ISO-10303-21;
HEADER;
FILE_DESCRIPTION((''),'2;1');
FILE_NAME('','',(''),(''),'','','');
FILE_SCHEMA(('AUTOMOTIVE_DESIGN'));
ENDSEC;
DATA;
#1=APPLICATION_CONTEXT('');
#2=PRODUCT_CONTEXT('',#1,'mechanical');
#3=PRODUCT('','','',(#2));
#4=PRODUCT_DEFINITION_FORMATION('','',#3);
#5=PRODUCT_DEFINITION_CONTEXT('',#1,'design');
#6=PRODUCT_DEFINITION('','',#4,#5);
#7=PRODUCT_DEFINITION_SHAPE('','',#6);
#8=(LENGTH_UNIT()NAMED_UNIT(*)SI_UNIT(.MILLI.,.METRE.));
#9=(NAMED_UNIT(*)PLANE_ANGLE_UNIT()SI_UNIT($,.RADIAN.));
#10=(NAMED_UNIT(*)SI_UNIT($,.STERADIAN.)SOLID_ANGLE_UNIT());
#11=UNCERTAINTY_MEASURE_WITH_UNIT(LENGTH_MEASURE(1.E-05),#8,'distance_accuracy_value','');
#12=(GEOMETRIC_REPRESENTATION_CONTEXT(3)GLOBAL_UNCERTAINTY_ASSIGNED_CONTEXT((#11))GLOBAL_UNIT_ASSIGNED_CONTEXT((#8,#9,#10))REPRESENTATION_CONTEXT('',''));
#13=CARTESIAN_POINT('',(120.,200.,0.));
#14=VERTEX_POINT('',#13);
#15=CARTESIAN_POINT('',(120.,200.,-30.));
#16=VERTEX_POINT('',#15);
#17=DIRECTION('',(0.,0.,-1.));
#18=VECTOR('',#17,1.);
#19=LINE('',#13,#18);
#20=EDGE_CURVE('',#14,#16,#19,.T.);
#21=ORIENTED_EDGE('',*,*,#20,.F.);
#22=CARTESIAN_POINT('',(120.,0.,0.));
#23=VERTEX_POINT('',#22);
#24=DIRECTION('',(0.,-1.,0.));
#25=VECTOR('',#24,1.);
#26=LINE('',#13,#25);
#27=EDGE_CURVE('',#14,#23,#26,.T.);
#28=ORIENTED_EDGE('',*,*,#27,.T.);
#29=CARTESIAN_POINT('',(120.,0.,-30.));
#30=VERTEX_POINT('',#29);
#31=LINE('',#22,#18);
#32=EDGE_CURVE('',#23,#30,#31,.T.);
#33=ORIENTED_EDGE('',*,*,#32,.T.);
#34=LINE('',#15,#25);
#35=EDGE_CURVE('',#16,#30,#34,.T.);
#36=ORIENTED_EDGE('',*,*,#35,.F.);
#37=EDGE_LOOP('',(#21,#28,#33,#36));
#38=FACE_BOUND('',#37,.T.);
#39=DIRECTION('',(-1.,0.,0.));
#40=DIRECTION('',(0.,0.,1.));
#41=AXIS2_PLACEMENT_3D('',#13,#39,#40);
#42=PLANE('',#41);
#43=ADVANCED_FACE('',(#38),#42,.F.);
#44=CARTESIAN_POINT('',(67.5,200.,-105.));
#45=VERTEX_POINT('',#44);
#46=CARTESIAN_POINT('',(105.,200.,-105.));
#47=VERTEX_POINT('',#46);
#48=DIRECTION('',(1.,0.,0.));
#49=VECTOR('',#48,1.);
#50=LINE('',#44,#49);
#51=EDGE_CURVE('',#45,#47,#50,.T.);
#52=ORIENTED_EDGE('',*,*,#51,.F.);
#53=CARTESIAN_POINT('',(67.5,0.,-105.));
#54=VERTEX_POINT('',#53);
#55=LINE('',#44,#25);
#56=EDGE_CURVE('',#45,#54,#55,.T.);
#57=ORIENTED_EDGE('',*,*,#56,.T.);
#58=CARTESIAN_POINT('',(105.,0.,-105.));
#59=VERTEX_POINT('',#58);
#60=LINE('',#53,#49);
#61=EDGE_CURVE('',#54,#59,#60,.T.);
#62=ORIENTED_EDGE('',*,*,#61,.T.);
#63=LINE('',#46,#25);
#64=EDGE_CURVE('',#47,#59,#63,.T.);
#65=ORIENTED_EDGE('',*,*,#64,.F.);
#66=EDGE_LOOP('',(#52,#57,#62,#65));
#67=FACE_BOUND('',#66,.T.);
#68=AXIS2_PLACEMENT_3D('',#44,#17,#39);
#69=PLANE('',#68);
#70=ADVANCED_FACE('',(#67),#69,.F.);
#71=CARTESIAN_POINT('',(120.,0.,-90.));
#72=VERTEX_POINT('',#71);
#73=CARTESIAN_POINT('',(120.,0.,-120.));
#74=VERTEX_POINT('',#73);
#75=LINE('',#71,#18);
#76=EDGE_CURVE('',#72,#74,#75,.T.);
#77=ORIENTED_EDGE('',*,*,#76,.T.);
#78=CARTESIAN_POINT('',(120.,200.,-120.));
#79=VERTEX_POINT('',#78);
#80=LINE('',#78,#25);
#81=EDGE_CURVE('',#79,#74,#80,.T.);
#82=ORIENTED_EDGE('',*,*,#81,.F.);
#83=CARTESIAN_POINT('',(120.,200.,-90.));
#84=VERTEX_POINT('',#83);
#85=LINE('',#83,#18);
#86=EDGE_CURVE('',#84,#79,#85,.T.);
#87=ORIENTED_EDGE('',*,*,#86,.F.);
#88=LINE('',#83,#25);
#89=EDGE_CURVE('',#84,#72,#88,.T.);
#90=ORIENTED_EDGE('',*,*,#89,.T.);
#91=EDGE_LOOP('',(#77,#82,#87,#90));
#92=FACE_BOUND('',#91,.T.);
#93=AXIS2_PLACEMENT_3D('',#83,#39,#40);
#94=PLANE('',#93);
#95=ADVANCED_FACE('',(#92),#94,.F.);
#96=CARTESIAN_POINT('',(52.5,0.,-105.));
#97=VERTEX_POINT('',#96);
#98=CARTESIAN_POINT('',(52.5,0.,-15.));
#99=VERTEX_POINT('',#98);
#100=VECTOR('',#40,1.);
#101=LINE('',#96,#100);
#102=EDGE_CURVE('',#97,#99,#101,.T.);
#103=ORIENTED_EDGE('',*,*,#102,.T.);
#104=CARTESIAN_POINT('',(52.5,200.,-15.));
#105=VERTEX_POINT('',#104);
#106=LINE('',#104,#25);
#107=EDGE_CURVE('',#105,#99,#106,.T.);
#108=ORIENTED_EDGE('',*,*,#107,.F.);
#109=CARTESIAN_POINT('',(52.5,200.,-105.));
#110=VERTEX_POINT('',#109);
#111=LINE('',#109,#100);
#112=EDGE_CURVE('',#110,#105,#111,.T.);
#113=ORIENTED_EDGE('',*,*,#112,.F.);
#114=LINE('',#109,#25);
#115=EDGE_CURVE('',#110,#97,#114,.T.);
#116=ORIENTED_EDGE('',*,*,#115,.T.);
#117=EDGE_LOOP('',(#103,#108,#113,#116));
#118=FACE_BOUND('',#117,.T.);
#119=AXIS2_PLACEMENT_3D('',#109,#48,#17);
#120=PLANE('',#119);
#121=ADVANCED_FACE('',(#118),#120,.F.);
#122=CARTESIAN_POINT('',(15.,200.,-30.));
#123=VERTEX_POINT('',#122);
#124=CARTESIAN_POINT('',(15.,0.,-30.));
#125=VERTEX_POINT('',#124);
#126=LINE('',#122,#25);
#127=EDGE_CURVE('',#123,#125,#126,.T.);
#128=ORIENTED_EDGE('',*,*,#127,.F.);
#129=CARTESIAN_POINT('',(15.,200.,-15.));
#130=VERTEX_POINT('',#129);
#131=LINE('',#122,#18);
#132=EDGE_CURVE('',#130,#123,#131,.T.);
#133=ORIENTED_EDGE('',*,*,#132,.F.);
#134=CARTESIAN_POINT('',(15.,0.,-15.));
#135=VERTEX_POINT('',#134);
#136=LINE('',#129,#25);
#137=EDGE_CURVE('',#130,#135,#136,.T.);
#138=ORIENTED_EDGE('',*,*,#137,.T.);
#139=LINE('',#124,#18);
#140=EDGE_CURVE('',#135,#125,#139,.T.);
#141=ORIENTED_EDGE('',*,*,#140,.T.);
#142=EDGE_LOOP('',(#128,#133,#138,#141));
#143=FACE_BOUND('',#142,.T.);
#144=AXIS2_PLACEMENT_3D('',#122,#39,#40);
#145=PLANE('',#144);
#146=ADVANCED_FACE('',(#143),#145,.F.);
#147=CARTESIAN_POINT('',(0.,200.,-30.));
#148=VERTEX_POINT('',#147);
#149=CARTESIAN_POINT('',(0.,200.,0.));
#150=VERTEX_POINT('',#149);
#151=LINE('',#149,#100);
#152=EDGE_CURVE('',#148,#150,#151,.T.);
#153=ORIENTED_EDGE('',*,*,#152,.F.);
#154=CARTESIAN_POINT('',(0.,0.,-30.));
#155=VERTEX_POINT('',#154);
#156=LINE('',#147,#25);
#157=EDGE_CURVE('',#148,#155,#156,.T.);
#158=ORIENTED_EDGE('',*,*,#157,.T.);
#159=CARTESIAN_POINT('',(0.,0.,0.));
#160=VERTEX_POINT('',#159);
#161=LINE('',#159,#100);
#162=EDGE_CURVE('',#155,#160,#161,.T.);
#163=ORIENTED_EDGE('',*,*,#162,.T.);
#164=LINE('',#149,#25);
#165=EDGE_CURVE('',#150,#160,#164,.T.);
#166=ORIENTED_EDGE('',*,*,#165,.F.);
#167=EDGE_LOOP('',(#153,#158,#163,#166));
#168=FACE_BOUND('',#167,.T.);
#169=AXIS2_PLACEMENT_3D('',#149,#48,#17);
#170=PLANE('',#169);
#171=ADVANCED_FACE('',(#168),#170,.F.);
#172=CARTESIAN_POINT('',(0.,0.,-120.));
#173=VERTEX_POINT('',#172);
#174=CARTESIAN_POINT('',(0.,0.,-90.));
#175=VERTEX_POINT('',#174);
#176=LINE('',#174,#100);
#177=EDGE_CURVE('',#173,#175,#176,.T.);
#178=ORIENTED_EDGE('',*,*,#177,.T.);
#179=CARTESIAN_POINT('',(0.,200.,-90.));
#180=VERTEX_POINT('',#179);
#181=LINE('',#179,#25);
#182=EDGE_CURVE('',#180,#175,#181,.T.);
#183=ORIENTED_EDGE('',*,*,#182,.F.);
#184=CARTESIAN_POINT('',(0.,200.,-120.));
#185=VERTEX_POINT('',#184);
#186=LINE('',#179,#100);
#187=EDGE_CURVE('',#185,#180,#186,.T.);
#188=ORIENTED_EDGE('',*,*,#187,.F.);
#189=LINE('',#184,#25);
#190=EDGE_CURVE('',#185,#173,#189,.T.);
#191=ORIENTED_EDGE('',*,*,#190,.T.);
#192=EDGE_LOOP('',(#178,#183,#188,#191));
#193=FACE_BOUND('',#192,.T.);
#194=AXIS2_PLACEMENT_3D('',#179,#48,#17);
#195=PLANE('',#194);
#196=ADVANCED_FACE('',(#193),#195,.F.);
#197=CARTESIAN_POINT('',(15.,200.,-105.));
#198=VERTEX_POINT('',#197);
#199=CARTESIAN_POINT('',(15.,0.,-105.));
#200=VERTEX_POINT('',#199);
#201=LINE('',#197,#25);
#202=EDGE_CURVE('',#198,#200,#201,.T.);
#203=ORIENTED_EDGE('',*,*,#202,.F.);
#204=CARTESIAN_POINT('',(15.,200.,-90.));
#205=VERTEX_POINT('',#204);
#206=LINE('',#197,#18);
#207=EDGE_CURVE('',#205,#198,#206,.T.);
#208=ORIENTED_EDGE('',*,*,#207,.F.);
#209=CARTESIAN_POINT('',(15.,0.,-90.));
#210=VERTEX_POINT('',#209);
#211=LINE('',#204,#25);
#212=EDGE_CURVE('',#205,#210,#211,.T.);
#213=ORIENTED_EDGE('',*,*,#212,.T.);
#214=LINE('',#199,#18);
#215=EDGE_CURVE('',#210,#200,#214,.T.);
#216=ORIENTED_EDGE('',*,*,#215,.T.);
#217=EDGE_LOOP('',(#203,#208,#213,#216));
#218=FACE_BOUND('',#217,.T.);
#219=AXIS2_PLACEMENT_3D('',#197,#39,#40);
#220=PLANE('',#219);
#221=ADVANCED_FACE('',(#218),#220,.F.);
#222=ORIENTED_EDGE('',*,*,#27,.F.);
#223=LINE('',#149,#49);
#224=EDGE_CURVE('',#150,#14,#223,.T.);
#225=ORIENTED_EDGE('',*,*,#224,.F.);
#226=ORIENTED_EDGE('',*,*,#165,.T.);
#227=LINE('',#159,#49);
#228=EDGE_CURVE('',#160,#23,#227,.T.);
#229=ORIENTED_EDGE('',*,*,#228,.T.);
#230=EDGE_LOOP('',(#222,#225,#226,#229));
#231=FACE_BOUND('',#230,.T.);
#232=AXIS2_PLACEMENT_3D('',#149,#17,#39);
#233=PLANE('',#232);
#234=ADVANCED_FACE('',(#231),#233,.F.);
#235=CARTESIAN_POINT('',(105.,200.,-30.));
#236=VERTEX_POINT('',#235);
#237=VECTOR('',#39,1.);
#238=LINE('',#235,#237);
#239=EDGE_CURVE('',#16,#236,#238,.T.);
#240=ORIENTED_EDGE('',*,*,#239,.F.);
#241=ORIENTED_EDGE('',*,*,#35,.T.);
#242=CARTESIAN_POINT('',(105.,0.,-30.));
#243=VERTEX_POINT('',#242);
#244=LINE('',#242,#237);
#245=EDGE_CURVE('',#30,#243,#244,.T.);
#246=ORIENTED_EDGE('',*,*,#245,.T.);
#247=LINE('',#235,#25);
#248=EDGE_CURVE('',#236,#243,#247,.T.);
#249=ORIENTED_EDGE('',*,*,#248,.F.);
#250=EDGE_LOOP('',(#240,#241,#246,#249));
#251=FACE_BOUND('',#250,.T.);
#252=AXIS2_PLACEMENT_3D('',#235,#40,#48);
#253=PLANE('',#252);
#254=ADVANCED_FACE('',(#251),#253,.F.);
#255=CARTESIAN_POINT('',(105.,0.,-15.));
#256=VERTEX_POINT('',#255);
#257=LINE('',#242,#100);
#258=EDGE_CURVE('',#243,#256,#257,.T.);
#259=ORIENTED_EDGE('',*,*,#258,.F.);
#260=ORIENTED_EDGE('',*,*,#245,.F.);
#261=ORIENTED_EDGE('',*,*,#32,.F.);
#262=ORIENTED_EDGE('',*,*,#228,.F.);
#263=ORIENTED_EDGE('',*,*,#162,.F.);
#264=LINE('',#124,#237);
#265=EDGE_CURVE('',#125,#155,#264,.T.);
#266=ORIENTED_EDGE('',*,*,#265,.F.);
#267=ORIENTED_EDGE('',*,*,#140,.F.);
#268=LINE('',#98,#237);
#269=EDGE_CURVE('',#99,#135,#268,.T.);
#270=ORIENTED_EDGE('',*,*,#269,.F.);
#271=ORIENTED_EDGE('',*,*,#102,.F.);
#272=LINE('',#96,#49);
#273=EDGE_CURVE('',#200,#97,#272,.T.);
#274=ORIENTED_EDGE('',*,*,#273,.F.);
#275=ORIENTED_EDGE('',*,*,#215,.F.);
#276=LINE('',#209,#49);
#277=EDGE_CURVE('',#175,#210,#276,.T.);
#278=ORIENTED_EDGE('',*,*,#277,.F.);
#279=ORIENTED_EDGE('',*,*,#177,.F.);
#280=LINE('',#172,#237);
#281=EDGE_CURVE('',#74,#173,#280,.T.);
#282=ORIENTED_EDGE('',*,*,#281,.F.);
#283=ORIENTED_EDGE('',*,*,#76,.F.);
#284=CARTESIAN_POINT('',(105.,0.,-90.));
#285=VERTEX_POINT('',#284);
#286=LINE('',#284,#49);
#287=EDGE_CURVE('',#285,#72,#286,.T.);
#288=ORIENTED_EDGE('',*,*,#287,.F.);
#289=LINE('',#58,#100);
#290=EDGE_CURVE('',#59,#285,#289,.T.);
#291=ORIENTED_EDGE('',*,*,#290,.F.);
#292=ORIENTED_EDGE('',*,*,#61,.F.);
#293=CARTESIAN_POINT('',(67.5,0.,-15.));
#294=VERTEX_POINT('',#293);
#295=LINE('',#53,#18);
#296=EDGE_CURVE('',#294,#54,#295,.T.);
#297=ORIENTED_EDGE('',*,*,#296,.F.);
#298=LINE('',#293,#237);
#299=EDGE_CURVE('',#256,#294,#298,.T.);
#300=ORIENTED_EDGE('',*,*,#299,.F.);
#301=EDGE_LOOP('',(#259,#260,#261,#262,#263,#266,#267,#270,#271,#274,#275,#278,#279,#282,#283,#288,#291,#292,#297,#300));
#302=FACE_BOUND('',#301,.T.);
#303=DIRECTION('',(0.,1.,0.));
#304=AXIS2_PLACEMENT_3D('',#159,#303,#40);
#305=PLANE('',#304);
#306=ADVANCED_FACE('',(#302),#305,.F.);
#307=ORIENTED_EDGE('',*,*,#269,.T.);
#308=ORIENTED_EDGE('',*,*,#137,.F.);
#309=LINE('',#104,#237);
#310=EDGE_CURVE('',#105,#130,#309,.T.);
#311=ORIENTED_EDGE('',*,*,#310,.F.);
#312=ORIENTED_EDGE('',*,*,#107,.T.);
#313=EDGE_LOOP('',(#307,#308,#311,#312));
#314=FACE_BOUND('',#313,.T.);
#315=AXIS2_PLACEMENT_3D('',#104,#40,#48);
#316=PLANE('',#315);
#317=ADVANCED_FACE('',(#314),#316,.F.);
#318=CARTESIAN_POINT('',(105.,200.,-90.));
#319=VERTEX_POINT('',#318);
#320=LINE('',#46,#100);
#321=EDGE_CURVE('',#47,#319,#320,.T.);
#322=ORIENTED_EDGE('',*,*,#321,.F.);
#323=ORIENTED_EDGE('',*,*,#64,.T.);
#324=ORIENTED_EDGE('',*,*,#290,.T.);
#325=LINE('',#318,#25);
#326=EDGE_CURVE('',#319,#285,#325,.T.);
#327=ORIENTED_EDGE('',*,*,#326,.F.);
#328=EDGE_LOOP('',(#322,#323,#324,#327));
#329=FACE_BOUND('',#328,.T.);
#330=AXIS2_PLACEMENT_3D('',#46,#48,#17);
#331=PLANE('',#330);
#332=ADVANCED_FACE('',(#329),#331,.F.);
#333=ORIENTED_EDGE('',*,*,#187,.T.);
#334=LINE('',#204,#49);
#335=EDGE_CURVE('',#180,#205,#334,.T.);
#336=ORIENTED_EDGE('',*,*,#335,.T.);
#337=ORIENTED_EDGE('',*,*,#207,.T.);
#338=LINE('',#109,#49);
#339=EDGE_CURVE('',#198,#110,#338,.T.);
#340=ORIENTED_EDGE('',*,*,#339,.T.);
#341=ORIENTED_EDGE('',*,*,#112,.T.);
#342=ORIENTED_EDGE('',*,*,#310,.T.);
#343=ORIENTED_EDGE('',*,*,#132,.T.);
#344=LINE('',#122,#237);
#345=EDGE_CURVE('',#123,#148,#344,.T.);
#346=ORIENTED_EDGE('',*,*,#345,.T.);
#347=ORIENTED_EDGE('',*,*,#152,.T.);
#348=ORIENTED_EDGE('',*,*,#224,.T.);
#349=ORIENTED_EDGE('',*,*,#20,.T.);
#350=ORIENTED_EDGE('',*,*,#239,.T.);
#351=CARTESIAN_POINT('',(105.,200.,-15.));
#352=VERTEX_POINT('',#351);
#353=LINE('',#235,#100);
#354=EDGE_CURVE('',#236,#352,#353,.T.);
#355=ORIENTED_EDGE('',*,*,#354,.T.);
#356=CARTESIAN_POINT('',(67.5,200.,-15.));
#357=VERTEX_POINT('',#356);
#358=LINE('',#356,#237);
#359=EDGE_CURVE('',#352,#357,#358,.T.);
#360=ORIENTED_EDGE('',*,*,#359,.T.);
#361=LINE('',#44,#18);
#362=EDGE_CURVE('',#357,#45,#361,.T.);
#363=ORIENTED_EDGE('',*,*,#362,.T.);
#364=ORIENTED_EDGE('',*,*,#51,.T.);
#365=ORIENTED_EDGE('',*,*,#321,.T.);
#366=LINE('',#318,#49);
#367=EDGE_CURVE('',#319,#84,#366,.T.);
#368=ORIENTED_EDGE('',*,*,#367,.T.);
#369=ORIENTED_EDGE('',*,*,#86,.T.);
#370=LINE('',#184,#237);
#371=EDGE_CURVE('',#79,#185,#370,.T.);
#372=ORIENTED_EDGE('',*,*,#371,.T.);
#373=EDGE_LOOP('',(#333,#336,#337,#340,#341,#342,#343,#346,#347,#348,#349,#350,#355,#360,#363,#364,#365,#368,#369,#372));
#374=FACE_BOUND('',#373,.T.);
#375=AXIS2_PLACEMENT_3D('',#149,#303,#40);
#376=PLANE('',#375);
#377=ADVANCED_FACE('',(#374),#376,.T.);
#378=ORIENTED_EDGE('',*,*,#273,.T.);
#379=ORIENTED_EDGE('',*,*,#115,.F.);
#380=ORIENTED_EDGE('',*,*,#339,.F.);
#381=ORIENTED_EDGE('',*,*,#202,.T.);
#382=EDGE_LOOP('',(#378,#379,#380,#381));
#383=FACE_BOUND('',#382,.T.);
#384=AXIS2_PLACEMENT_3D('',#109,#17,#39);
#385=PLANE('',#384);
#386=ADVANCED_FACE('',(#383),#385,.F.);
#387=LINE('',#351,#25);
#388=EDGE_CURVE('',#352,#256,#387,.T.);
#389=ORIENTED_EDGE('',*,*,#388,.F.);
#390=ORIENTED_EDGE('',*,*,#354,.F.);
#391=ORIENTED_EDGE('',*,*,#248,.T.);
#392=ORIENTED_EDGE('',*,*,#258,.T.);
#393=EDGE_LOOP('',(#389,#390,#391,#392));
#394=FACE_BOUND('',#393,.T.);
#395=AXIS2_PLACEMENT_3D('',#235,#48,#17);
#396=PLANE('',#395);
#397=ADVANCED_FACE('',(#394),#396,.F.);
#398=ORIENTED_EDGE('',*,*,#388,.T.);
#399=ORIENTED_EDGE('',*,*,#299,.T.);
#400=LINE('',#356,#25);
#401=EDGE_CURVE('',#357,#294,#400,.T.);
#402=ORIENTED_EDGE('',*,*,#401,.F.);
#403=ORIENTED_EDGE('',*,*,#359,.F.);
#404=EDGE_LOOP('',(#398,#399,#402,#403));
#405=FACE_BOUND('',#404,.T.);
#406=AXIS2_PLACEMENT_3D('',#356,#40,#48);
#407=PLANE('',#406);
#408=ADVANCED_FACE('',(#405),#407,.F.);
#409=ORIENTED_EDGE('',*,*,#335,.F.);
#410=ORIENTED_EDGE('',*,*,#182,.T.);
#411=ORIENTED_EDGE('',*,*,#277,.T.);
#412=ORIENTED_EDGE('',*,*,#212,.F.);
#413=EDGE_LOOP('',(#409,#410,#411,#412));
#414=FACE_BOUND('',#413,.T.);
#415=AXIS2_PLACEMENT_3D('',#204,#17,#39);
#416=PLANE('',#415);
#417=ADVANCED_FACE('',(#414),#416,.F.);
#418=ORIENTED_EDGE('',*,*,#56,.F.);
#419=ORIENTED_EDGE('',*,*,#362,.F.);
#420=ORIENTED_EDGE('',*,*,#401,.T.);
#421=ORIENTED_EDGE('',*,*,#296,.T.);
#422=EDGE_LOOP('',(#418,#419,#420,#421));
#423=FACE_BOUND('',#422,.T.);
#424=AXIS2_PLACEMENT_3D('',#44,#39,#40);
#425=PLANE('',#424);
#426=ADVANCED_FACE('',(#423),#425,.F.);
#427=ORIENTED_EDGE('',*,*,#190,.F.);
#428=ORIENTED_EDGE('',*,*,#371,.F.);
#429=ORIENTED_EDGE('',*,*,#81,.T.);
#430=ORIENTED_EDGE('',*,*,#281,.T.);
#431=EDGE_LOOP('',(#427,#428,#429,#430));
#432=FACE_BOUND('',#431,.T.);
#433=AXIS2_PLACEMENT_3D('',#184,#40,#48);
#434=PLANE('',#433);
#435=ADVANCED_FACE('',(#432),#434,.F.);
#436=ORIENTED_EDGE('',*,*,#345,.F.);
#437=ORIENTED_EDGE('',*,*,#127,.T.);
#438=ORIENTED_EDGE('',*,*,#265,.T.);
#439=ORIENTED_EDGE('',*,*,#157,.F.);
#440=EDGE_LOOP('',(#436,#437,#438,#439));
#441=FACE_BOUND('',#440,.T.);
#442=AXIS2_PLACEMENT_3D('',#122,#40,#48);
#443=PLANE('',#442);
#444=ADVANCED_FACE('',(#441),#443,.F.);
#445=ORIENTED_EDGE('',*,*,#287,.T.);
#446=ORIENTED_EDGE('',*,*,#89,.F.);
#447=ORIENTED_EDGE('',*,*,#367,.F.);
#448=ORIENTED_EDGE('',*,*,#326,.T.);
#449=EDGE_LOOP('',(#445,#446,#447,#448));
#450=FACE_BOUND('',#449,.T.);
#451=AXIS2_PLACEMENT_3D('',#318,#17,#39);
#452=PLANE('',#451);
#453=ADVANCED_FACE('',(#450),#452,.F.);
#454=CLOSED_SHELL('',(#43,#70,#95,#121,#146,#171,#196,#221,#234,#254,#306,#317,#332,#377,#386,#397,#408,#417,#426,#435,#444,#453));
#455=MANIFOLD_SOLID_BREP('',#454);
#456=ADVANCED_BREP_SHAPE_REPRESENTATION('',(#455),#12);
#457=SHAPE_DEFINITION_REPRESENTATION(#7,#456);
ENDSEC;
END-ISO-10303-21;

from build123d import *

# Parameters (mm, degrees)
EXTRUDE_1_DEPTH = 200


with BuildPart() as part:
    # ｽｹｯﾁ5 → ﾎﾞｽ - 押し出し1 (new body)
    with BuildSketch(Plane(origin=(0, 0, 0), x_dir=(1, 0, 0), z_dir=(0, 1, 0))):
        Polygon((0, 0), (120, 0), (120, 30), (105, 30), (105, 15), (67.5, 15), (67.5, 105), (105, 105), (105, 90), (120, 90), (120, 120), (0, 120), (0, 90), (15, 90), (15, 105), (52.5, 105), (52.5, 15), (15, 15), (15, 30), (0, 30), align=None)
    extrude(amount=EXTRUDE_1_DEPTH)


solid = part.part
